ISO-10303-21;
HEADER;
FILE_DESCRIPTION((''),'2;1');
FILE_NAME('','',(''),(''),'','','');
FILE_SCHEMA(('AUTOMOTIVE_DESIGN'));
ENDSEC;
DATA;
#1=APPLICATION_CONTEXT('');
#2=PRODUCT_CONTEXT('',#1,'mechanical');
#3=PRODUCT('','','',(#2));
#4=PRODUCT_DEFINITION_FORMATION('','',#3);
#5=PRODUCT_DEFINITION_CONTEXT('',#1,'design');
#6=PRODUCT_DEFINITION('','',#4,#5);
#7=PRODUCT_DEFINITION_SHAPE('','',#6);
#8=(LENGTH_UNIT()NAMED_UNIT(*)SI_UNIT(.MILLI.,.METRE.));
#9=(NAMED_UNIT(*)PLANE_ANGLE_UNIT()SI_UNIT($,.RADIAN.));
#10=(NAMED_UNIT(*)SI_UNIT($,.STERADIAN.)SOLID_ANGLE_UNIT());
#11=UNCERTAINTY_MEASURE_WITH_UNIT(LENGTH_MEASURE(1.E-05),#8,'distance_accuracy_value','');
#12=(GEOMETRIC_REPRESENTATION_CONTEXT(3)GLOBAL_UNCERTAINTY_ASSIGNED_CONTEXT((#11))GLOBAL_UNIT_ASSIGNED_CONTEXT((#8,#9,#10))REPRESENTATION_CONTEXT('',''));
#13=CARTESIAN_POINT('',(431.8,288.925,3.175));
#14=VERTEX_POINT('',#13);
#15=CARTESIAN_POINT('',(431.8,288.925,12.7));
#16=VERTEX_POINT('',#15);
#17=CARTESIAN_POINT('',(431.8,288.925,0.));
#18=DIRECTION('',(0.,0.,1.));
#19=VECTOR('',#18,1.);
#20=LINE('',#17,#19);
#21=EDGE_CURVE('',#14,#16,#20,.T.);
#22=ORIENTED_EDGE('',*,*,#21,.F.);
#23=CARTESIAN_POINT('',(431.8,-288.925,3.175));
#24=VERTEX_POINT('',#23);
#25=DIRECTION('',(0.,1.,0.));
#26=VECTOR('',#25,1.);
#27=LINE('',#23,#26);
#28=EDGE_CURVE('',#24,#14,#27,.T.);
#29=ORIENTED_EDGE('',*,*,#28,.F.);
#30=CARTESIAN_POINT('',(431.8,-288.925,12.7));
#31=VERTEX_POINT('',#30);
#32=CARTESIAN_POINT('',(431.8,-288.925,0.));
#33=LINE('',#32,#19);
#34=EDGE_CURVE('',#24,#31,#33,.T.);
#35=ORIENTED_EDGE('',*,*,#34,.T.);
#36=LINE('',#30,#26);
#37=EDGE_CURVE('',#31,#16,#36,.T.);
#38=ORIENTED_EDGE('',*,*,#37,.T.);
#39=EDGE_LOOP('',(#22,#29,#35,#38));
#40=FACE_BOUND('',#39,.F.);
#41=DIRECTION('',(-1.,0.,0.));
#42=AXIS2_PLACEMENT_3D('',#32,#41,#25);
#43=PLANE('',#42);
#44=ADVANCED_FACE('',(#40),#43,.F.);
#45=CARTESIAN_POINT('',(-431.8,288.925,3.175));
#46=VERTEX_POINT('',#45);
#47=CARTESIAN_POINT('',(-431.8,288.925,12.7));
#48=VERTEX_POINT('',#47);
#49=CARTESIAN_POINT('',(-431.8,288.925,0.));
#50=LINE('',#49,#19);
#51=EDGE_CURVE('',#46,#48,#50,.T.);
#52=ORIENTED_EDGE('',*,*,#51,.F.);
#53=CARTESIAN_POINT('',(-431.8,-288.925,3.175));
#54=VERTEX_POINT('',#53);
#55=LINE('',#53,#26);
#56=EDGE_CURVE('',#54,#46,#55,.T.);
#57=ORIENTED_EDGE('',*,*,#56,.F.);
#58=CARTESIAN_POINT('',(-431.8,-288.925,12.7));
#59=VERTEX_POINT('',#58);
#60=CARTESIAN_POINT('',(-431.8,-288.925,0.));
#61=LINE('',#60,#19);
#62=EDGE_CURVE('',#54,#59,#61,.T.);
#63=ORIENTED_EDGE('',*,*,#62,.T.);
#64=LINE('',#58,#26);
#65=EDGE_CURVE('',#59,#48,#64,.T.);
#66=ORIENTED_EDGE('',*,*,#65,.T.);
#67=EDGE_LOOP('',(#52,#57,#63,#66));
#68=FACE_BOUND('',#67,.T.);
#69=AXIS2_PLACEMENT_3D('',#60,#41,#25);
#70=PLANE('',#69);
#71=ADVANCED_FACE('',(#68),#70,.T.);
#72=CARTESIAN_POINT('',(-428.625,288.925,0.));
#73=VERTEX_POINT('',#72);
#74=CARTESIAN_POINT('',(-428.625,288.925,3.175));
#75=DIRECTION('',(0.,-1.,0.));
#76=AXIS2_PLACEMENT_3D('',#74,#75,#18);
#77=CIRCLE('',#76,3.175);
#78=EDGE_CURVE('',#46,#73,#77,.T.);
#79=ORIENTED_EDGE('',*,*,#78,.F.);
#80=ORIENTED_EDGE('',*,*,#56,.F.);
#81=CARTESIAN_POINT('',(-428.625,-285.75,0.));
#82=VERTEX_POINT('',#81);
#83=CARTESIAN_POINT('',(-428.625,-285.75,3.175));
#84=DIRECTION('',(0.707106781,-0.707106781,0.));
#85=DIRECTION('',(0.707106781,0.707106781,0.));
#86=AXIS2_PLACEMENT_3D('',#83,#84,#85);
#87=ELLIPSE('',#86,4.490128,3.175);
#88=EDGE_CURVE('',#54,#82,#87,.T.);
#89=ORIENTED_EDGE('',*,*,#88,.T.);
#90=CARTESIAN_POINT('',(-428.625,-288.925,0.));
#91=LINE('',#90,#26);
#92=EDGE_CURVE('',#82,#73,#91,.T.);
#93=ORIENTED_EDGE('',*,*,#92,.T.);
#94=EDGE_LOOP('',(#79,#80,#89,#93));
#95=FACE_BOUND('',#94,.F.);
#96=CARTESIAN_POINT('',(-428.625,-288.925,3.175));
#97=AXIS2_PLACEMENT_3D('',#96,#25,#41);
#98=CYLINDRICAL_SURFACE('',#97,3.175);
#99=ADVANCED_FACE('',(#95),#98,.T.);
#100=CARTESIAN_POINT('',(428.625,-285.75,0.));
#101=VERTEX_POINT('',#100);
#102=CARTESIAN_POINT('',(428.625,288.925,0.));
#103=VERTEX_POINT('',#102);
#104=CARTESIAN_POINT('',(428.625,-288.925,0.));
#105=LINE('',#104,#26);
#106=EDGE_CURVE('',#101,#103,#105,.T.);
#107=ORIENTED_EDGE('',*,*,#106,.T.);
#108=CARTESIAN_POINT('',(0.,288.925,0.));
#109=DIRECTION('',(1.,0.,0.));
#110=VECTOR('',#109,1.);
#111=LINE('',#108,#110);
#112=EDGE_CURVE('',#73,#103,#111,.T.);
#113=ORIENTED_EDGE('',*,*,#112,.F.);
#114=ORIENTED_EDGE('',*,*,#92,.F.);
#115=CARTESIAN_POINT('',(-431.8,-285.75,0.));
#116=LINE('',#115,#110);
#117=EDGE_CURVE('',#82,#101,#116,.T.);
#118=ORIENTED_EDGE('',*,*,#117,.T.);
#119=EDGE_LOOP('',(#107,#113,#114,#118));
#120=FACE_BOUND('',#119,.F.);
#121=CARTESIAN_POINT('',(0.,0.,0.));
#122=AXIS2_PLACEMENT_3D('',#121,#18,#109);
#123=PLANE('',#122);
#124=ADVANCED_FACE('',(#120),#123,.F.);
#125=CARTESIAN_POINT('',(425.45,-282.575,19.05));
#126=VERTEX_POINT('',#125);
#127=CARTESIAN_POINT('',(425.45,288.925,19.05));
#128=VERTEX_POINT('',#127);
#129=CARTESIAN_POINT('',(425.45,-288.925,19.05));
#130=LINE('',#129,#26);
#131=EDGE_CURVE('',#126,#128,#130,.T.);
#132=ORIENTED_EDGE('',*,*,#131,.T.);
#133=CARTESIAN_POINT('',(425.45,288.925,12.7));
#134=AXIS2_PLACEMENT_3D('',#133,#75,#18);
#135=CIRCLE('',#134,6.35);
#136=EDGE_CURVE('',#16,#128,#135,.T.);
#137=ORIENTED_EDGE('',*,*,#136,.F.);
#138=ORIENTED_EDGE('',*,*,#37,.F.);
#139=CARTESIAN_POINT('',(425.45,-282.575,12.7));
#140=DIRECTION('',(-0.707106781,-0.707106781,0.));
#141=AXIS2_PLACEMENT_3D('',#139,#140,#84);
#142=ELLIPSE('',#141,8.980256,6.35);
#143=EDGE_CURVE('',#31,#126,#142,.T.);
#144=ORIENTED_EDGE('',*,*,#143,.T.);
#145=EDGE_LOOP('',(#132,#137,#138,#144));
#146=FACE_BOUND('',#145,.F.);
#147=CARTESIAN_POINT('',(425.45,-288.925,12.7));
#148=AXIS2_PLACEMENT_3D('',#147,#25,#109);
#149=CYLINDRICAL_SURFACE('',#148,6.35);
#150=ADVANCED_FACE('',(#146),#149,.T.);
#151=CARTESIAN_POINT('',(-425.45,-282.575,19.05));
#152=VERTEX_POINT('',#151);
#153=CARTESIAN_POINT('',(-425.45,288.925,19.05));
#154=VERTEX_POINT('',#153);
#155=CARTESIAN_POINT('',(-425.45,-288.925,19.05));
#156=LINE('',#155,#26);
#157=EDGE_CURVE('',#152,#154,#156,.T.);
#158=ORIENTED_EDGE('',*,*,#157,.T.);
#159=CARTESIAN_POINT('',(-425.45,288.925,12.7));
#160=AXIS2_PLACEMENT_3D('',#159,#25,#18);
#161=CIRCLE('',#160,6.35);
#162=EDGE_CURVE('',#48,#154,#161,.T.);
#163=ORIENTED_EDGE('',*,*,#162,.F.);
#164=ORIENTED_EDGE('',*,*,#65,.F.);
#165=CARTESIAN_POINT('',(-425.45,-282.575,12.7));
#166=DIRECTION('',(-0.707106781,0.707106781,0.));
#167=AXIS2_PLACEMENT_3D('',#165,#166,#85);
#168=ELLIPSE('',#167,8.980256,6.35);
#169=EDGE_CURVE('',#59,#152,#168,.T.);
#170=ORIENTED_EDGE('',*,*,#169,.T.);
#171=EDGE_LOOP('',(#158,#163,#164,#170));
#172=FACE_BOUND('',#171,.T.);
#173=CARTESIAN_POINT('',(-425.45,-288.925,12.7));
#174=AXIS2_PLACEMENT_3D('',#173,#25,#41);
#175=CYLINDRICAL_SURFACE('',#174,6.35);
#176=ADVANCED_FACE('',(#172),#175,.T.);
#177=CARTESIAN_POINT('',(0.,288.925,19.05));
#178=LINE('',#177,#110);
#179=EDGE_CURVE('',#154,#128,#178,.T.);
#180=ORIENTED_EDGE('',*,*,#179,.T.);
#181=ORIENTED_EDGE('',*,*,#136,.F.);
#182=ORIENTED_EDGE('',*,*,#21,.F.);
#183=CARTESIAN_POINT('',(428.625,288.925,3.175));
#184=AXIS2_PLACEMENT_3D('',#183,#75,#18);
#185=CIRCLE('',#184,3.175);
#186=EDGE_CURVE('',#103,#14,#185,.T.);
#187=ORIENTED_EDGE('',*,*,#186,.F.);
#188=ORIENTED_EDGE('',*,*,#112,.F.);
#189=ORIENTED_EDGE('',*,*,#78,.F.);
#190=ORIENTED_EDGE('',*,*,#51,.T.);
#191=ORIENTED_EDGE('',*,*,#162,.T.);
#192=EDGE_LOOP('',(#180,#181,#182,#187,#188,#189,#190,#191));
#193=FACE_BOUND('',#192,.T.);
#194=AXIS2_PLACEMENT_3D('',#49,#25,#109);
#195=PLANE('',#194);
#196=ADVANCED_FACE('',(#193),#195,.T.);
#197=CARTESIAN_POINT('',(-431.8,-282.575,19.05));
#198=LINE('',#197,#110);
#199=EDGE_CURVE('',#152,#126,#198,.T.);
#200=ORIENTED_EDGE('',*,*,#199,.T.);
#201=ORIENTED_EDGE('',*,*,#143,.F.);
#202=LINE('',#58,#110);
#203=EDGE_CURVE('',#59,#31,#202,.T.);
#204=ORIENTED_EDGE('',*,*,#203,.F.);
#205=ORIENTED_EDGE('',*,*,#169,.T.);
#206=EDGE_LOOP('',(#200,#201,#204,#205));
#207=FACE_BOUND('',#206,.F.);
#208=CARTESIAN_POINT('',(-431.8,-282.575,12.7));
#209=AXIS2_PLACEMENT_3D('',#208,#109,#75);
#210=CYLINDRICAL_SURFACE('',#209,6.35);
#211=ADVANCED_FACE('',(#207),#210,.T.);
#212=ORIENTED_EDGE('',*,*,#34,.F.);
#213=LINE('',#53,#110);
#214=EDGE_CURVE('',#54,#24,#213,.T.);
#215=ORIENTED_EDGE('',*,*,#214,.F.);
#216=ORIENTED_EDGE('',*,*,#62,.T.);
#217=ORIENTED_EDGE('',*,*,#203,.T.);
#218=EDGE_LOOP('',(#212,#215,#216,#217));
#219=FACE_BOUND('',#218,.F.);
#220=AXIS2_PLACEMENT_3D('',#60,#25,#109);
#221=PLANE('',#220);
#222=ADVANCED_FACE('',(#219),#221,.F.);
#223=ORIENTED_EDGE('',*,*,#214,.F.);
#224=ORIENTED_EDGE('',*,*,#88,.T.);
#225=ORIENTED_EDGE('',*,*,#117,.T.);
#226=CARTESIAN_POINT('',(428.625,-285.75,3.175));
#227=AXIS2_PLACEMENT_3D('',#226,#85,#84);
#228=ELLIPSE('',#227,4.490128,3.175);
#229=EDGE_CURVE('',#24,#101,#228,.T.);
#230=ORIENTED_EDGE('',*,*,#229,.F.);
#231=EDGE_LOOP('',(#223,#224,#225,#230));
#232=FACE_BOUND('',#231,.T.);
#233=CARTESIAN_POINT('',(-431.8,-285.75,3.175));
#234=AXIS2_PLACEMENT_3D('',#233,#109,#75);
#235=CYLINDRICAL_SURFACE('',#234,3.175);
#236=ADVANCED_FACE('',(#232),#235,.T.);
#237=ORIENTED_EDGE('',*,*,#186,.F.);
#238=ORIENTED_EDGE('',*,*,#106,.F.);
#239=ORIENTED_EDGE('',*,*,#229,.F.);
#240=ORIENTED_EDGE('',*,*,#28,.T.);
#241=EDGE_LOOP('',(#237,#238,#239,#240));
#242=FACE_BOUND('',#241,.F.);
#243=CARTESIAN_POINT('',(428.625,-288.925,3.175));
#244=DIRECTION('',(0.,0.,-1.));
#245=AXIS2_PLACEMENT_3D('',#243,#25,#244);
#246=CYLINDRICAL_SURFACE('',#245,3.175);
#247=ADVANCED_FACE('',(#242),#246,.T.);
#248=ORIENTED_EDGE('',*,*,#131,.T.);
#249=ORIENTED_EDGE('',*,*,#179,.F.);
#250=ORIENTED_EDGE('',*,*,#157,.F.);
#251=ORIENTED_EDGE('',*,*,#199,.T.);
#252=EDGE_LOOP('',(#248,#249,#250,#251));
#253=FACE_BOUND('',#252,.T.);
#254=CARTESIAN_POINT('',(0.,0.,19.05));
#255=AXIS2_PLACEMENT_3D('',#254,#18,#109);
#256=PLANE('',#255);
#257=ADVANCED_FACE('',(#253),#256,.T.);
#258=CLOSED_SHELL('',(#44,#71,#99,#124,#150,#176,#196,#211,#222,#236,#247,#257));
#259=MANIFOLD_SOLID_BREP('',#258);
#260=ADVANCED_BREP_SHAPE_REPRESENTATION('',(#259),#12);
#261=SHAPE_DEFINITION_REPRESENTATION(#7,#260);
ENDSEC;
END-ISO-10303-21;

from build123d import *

# Parameters (mm, degrees)
F0_W     = 863.6
F0_H     = 577.85
F1_DEPTH = 19.05
F2_R     = 6.35
F3_R     = 3.175


with BuildPart() as f1:
    # F0 (on Top) → F1 (new body)
    with BuildSketch(Plane.XY):
        Rectangle(F0_W, F0_H)
    extrude(amount=F1_DEPTH)

    # F2
    f2_edges = [f1.edges().sort_by_distance(p)[0] for p in [
        (-431.8, 0, 19.05),
        (0, -288.925, 19.05),
        (431.8, 0, 19.05),
    ]]
    fillet(f2_edges, radius=F2_R)

    # F3
    f3_edges = [f1.edges().sort_by_distance(p)[0] for p in [
        (-431.8, 0, 0),
        (0, -288.925, 0),
        (431.8, 0, 0),
    ]]
    fillet(f3_edges, radius=F3_R)


solid = f1.part
